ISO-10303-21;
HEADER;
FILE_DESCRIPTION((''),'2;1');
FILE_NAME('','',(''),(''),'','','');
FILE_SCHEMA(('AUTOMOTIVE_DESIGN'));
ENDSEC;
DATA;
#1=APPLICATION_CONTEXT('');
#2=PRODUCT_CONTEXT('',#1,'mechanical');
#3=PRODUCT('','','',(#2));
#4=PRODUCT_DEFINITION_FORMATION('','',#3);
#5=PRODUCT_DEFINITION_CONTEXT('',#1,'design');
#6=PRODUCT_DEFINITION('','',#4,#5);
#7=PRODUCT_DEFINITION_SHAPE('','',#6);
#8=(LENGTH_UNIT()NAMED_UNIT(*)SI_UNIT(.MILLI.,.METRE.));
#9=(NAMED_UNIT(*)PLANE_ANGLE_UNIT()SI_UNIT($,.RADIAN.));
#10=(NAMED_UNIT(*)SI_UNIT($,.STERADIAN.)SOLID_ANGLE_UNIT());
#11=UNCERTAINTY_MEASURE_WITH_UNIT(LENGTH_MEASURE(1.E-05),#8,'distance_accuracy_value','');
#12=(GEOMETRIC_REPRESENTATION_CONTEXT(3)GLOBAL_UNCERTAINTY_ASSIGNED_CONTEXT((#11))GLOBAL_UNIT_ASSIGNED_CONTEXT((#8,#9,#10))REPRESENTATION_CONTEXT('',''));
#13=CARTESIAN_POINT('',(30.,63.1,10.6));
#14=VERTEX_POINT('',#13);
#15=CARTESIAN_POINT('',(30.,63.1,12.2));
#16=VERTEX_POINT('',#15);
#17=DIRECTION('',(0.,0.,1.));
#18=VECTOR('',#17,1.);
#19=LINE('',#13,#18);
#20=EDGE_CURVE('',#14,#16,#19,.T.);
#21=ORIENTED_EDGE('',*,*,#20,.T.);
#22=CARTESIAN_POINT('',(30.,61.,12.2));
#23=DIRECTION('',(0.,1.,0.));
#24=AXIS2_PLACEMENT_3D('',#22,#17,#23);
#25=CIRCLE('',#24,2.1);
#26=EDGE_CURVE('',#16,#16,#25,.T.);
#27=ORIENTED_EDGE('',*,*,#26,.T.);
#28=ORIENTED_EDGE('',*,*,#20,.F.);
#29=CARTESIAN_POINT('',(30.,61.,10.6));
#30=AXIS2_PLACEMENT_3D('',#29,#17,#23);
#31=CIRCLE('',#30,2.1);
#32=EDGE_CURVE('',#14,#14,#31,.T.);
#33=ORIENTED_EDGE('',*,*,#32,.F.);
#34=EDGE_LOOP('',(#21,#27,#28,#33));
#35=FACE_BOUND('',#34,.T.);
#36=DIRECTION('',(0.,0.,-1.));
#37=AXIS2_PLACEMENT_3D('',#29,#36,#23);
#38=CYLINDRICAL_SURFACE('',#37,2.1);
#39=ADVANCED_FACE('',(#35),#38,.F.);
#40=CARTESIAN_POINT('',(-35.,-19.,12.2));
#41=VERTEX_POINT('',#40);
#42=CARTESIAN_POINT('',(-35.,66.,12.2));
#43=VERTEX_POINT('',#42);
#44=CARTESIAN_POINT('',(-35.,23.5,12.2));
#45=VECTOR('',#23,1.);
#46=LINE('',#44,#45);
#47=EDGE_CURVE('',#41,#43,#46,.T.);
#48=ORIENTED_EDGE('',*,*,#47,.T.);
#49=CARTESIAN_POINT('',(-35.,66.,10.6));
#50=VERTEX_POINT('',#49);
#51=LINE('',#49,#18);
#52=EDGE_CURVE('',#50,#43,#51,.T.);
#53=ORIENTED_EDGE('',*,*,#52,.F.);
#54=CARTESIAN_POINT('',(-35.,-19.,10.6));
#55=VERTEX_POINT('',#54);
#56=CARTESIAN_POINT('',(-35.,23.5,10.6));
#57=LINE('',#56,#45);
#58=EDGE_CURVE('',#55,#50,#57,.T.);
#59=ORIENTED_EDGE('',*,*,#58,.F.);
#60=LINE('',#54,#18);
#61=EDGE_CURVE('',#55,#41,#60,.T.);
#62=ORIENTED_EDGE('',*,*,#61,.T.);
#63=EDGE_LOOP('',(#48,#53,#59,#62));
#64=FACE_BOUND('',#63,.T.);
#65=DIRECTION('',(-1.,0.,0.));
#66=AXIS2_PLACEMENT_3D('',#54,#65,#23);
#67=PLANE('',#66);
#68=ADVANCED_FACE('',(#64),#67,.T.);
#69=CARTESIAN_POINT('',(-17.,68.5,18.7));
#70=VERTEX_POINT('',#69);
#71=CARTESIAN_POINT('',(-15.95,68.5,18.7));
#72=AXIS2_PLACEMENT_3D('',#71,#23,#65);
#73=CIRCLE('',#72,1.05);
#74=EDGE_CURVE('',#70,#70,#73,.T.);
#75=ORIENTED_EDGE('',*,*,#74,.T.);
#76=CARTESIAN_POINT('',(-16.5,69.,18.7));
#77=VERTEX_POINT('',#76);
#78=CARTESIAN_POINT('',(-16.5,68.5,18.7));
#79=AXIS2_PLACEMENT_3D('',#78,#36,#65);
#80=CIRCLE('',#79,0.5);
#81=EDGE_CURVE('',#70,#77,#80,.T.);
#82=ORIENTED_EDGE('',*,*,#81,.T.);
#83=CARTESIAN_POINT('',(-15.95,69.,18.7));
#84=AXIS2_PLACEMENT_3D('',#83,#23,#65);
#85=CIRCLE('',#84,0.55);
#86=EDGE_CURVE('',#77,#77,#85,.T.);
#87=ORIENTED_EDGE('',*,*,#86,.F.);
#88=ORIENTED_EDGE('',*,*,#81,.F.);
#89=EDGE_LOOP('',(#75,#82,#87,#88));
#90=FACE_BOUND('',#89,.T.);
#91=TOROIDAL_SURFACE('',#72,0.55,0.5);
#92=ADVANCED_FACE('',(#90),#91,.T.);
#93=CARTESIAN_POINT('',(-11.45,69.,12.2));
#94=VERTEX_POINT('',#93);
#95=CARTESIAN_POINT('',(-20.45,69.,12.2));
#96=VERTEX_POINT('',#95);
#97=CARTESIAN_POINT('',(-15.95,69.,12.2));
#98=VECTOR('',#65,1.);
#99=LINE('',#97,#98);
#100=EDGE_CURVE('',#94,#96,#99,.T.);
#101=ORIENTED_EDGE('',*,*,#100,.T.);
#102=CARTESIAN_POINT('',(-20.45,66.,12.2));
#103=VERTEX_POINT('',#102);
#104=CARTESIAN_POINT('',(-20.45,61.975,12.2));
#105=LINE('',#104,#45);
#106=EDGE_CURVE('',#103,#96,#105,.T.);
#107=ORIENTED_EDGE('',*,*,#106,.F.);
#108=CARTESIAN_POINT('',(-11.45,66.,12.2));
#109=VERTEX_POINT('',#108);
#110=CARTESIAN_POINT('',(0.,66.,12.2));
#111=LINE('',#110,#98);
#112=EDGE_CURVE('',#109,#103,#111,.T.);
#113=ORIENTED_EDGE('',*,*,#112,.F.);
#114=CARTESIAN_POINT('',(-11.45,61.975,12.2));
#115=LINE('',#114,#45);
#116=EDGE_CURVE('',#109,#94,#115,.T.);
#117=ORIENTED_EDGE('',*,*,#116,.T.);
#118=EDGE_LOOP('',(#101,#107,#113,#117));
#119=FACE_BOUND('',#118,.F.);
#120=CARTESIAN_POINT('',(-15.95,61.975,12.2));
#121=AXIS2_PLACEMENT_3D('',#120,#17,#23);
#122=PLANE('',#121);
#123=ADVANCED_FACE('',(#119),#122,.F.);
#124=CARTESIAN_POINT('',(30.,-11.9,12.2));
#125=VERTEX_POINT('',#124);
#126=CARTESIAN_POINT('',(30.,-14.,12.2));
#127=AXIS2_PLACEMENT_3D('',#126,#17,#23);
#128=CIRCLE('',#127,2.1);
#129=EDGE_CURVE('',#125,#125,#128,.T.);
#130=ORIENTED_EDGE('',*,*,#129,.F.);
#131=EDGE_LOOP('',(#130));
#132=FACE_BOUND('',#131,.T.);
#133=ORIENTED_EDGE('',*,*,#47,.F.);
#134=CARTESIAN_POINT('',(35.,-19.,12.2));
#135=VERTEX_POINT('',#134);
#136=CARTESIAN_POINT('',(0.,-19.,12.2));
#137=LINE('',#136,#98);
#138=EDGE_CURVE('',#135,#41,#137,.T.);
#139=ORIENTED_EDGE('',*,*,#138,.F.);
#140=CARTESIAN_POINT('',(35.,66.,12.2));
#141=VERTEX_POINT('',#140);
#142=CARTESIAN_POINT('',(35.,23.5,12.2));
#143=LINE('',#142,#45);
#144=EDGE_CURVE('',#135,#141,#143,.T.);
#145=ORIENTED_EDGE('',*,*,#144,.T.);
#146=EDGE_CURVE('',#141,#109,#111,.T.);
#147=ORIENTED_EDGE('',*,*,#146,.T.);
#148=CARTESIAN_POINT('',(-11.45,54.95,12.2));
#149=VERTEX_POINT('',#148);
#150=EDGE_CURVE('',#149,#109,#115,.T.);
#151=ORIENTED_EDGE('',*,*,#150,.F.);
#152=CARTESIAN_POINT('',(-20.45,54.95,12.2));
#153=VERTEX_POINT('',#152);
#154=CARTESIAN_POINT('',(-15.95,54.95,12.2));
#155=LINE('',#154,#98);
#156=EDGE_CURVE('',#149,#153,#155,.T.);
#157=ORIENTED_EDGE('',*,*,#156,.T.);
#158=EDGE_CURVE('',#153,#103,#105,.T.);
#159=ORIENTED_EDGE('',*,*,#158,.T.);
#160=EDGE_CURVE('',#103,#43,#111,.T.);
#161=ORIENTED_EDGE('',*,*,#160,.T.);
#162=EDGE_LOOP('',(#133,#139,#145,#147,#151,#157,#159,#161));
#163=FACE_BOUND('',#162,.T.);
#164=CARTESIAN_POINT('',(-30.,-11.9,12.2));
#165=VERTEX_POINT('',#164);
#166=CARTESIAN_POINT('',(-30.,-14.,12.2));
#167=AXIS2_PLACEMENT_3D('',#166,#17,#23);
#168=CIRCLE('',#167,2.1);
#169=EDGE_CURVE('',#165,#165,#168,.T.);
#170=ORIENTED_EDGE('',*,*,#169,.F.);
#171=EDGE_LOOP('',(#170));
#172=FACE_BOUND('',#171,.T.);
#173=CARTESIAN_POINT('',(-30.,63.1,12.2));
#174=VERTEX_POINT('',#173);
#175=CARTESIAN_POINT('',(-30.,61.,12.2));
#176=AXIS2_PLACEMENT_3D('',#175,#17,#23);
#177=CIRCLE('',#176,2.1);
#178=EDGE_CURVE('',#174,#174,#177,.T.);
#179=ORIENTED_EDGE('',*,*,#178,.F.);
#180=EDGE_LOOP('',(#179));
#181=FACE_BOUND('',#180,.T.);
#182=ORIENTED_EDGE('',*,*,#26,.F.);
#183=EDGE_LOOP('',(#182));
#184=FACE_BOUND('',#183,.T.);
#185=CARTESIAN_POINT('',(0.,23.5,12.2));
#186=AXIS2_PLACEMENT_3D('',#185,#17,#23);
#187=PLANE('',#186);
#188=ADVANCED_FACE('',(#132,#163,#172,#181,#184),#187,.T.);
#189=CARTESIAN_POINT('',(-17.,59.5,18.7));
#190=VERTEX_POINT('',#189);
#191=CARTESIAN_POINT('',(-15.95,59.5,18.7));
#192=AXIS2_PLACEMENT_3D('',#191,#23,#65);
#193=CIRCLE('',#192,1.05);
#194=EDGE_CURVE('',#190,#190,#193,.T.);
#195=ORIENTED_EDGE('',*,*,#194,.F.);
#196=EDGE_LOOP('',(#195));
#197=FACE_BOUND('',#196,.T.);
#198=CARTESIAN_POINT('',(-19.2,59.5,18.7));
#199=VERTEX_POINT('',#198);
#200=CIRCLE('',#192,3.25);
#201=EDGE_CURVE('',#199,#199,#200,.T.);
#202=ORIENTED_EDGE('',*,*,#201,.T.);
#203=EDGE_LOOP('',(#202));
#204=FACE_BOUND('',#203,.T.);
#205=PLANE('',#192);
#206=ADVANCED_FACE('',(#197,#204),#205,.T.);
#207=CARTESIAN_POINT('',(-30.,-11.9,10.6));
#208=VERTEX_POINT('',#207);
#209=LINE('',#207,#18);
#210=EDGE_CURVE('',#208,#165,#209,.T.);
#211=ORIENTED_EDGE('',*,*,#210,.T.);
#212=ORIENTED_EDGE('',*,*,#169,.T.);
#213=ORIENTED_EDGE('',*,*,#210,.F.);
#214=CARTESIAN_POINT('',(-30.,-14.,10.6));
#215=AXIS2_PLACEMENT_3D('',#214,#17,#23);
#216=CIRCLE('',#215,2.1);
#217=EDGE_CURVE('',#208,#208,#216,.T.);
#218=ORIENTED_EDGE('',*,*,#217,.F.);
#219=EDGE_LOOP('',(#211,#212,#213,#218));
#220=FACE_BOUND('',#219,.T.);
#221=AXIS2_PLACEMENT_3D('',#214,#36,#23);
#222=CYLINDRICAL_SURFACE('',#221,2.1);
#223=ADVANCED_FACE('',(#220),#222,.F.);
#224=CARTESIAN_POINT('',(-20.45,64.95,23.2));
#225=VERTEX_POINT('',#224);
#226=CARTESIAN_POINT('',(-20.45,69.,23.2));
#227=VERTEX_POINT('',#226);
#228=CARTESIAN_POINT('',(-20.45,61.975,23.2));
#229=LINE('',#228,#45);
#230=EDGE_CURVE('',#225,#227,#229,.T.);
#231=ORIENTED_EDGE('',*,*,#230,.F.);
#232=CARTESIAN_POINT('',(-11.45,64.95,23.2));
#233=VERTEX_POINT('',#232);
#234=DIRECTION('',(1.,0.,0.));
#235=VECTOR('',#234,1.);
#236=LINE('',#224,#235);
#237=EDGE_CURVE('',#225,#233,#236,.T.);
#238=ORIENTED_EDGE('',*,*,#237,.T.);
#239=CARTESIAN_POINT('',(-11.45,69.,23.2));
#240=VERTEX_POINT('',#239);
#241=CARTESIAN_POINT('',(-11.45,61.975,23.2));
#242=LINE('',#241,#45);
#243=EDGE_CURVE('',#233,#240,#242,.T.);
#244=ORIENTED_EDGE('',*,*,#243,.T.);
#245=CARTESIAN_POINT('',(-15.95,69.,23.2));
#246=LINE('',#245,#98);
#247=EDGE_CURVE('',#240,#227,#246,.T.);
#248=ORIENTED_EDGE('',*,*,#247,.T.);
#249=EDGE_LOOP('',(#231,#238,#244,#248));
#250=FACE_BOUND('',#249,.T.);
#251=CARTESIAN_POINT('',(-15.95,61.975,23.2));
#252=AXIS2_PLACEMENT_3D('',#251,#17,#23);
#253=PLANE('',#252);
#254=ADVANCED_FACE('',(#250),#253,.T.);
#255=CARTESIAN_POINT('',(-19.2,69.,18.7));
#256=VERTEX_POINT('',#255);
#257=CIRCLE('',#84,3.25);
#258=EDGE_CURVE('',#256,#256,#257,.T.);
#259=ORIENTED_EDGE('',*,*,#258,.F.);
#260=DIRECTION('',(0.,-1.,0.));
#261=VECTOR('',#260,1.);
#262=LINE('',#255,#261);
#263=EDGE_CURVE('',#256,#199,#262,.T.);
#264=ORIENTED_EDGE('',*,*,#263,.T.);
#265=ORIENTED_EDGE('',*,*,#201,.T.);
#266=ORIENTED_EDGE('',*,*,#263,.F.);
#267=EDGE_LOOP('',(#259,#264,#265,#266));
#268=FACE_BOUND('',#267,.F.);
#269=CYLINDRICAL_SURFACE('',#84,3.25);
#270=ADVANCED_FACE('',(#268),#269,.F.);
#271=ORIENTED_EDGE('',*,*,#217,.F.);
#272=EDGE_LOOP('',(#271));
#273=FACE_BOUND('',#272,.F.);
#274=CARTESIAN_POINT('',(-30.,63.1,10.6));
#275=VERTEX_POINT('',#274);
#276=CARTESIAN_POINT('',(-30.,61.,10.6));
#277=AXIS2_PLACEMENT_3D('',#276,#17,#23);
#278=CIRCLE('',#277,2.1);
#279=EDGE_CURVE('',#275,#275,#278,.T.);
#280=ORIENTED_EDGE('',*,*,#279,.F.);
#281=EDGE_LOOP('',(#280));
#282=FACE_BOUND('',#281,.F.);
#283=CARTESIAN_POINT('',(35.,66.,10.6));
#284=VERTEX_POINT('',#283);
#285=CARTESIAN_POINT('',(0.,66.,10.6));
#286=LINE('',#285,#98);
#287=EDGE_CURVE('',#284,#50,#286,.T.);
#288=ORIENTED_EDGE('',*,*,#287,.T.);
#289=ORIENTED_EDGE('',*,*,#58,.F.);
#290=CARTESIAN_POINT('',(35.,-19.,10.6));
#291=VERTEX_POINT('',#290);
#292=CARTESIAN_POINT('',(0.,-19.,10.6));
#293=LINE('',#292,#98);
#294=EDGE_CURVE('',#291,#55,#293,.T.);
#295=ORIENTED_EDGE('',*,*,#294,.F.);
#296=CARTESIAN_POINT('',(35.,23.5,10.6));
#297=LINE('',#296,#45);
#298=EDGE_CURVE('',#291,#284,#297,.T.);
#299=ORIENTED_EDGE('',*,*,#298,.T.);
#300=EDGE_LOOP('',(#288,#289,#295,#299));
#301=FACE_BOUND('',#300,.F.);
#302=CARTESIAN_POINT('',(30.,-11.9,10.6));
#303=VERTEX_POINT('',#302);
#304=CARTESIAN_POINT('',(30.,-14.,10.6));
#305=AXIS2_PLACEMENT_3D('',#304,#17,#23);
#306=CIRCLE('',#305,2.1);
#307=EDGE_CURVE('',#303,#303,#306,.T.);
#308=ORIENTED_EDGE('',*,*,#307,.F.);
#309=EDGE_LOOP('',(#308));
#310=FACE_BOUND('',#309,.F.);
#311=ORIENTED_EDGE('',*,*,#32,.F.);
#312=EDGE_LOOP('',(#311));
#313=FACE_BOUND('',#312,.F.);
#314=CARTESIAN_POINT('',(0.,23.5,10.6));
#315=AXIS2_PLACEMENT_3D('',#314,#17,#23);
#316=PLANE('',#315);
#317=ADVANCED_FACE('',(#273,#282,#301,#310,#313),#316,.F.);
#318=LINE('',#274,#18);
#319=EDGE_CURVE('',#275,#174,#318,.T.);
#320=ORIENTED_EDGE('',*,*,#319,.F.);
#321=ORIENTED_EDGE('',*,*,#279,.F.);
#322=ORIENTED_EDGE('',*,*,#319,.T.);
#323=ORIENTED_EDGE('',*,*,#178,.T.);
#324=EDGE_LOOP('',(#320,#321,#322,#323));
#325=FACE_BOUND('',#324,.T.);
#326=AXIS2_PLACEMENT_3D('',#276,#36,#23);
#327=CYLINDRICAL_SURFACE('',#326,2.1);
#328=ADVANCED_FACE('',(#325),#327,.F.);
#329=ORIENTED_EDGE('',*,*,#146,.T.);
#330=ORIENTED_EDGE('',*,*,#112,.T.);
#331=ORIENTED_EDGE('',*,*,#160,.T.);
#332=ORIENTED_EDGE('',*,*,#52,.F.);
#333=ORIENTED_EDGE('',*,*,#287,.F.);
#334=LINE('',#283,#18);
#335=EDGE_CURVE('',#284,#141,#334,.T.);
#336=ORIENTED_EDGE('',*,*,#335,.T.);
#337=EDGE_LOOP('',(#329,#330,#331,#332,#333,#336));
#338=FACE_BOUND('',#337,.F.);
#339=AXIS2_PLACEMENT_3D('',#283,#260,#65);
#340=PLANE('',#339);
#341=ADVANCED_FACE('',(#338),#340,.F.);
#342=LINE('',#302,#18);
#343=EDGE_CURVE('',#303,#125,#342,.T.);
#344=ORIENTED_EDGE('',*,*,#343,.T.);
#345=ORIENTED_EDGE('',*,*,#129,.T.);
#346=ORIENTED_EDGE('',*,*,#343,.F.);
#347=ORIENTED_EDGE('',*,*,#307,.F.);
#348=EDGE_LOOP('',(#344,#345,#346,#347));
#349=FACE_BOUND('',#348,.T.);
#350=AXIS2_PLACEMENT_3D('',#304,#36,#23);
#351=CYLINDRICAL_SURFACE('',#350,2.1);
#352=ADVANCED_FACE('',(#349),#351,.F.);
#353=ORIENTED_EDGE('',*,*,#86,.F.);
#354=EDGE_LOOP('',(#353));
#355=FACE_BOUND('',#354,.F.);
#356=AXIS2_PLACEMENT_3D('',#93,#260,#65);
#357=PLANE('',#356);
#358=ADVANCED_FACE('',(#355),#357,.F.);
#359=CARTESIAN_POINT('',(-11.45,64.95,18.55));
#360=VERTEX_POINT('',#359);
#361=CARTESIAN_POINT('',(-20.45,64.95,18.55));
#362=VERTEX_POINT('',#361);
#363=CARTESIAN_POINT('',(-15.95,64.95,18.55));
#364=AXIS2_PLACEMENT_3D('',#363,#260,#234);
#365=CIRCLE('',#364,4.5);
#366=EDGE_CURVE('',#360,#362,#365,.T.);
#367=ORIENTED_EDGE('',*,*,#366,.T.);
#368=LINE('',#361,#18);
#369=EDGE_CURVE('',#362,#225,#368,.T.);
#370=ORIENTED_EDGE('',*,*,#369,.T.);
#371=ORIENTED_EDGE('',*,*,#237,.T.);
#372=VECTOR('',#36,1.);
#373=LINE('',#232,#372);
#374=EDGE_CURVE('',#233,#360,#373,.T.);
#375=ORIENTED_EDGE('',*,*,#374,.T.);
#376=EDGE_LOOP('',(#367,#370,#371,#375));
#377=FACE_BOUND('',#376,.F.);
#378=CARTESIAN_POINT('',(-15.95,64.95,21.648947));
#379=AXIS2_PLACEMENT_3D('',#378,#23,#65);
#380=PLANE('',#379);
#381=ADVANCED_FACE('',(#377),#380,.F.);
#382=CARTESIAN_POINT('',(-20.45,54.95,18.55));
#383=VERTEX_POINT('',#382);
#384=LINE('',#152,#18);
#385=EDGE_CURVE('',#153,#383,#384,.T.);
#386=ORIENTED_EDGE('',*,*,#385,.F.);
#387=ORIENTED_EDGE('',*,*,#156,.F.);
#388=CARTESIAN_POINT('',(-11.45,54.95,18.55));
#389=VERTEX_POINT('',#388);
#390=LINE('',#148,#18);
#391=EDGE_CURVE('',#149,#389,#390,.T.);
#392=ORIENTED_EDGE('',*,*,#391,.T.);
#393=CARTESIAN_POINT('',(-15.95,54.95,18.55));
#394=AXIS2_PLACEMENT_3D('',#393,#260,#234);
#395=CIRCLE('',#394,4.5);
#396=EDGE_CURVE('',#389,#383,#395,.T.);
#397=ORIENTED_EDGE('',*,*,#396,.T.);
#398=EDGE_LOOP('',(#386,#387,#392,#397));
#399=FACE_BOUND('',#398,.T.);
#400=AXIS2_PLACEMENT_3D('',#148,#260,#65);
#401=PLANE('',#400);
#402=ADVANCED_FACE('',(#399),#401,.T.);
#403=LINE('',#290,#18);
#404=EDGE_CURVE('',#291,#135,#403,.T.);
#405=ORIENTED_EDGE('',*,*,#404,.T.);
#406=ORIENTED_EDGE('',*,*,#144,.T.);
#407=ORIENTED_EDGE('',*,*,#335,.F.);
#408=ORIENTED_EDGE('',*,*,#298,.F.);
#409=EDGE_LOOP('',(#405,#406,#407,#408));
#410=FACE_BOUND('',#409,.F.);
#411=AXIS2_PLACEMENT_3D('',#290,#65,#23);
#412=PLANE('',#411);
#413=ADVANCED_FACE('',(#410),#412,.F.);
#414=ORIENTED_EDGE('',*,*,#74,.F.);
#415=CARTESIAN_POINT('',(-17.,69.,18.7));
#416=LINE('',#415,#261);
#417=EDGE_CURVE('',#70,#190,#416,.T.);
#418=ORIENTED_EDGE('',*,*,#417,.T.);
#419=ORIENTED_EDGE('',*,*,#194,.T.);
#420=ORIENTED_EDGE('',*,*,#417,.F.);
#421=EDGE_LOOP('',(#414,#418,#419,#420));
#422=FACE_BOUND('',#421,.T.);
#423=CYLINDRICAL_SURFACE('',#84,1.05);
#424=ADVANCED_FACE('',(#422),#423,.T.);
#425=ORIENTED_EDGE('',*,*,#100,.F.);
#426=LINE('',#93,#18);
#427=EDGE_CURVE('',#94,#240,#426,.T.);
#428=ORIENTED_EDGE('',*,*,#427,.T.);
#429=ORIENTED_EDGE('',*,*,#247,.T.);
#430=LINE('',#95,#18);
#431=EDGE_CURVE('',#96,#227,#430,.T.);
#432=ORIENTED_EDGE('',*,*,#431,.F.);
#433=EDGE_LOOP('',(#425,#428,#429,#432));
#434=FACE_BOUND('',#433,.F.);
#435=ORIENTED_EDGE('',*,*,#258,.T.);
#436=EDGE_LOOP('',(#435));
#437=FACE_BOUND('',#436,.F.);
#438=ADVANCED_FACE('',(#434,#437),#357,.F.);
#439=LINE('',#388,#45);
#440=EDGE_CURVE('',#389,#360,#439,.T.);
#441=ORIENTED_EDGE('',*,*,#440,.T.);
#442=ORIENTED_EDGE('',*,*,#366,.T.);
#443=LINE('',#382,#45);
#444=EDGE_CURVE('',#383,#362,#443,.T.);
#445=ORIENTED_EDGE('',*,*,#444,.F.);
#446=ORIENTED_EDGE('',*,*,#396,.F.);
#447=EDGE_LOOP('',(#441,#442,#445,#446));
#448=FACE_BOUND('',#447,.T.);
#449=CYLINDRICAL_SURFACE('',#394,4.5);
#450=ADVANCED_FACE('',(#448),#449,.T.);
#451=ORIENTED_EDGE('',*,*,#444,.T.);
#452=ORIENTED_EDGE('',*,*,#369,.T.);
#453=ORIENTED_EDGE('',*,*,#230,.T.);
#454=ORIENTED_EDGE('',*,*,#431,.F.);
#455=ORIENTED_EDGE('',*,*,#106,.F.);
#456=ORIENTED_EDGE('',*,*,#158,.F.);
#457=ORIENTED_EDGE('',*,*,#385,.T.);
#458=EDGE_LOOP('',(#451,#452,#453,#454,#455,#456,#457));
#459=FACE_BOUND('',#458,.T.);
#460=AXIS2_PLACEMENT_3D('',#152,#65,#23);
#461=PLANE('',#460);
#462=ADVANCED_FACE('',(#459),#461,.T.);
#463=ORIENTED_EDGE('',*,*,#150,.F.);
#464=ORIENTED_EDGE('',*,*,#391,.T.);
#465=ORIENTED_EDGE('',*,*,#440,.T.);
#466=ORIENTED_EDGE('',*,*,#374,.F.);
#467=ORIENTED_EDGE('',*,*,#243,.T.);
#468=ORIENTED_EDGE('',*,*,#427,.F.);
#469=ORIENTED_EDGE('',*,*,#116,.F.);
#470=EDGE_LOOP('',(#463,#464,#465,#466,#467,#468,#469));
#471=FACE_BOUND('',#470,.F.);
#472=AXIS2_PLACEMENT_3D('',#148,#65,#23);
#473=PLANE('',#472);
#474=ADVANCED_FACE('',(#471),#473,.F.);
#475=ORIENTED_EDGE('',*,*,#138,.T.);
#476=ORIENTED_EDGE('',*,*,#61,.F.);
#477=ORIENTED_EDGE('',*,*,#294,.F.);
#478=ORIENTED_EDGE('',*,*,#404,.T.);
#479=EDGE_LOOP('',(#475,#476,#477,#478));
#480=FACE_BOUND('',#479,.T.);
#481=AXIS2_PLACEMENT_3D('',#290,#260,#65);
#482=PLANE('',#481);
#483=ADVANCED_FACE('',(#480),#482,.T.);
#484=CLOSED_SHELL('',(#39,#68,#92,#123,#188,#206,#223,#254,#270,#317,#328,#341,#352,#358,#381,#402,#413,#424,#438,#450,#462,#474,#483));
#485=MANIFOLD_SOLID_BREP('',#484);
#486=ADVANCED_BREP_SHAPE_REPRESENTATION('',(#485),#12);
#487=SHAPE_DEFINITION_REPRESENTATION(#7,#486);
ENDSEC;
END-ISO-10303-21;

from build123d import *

# Parameters (mm, degrees)
SKETCH004_W             = 85
SKETCH004_H             = 70
SKETCH004_R             = 2.1
PAD003_DEPTH            = 1.6
SKETCH005_W             = 14.05
SKETCH005_H             = 9
PAD004_DEPTH            = 11
SKETCH006_R             = 3.25
SKETCH006_R_2           = 1.05
POCKET001_DEPTH         = 9.5
FILLET_R                = 0.5
POCKET002_DEPTH         = 10
BODY002_PLACEMENT_ANGLE = 90


with BuildPart() as part:
    # Sketch004 → Pad003 (new body)
    with BuildSketch(Plane.XY):
        with Locations((-7.5, 0)):
            Rectangle(SKETCH004_W, SKETCH004_H)
        with Locations((-45, -30)):
            Circle(SKETCH004_R, mode=Mode.SUBTRACT)
        with Locations((30, -30)):
            Circle(SKETCH004_R, mode=Mode.SUBTRACT)
        with Locations((-45, 30)):
            Circle(SKETCH004_R, mode=Mode.SUBTRACT)
        with Locations((30, 30)):
            Circle(SKETCH004_R, mode=Mode.SUBTRACT)
    extrude(amount=PAD003_DEPTH)

    # Sketch005 (on Face10 of Pad003) → Pad004 (join)
    with BuildSketch(Plane.XY.offset(1.6)):
        with Locations((30.975, 15.95)):
            Rectangle(SKETCH005_W, SKETCH005_H)
    extrude(amount=PAD004_DEPTH)

    # Sketch006 (on Face15 of Pad004) → Pocket001 (cut)
    with BuildSketch(Plane.YZ.offset(38)):
        with Locations((15.95, 8.1)):
            Circle(SKETCH006_R)
        with Locations((15.95, 8.1)):
            Circle(SKETCH006_R_2, mode=Mode.SUBTRACT)
    extrude(amount=-POCKET001_DEPTH, mode=Mode.SUBTRACT)

    # Fillet
    fillet_edges = [part.edges().sort_by_distance(p)[0] for p in [
        (38, 14.9, 8.1),
    ]]
    fillet(fillet_edges, radius=FILLET_R)

    # Sketch007 (on Face11 of Fillet) → Pocket002 (cut)
    with BuildSketch(Plane(origin=(23.95, 0, 0), x_dir=(0, -1, 0), z_dir=(-1, 0, 0))):
        with BuildLine():
            ThreePointArc((-11.45, 7.95), (-15.95, 12.45), (-20.45, 7.95))
            Line((-20.45, 7.95), (-20.45, 12.6))
            Line((-20.45, 12.6), (-11.45, 12.6))
            Line((-11.45, 12.6), (-11.45, 7.95))
        make_face()
    extrude(amount=-POCKET002_DEPTH, mode=Mode.SUBTRACT)


with BuildPart() as part_1:
    # Body002 placement: moved
    add(part.part.moved(Location((0, 31, 10.6))).rotate(Axis((0, 31, 10.6), (0, 0, 1)), BODY002_PLACEMENT_ANGLE))


solid = part_1.part
